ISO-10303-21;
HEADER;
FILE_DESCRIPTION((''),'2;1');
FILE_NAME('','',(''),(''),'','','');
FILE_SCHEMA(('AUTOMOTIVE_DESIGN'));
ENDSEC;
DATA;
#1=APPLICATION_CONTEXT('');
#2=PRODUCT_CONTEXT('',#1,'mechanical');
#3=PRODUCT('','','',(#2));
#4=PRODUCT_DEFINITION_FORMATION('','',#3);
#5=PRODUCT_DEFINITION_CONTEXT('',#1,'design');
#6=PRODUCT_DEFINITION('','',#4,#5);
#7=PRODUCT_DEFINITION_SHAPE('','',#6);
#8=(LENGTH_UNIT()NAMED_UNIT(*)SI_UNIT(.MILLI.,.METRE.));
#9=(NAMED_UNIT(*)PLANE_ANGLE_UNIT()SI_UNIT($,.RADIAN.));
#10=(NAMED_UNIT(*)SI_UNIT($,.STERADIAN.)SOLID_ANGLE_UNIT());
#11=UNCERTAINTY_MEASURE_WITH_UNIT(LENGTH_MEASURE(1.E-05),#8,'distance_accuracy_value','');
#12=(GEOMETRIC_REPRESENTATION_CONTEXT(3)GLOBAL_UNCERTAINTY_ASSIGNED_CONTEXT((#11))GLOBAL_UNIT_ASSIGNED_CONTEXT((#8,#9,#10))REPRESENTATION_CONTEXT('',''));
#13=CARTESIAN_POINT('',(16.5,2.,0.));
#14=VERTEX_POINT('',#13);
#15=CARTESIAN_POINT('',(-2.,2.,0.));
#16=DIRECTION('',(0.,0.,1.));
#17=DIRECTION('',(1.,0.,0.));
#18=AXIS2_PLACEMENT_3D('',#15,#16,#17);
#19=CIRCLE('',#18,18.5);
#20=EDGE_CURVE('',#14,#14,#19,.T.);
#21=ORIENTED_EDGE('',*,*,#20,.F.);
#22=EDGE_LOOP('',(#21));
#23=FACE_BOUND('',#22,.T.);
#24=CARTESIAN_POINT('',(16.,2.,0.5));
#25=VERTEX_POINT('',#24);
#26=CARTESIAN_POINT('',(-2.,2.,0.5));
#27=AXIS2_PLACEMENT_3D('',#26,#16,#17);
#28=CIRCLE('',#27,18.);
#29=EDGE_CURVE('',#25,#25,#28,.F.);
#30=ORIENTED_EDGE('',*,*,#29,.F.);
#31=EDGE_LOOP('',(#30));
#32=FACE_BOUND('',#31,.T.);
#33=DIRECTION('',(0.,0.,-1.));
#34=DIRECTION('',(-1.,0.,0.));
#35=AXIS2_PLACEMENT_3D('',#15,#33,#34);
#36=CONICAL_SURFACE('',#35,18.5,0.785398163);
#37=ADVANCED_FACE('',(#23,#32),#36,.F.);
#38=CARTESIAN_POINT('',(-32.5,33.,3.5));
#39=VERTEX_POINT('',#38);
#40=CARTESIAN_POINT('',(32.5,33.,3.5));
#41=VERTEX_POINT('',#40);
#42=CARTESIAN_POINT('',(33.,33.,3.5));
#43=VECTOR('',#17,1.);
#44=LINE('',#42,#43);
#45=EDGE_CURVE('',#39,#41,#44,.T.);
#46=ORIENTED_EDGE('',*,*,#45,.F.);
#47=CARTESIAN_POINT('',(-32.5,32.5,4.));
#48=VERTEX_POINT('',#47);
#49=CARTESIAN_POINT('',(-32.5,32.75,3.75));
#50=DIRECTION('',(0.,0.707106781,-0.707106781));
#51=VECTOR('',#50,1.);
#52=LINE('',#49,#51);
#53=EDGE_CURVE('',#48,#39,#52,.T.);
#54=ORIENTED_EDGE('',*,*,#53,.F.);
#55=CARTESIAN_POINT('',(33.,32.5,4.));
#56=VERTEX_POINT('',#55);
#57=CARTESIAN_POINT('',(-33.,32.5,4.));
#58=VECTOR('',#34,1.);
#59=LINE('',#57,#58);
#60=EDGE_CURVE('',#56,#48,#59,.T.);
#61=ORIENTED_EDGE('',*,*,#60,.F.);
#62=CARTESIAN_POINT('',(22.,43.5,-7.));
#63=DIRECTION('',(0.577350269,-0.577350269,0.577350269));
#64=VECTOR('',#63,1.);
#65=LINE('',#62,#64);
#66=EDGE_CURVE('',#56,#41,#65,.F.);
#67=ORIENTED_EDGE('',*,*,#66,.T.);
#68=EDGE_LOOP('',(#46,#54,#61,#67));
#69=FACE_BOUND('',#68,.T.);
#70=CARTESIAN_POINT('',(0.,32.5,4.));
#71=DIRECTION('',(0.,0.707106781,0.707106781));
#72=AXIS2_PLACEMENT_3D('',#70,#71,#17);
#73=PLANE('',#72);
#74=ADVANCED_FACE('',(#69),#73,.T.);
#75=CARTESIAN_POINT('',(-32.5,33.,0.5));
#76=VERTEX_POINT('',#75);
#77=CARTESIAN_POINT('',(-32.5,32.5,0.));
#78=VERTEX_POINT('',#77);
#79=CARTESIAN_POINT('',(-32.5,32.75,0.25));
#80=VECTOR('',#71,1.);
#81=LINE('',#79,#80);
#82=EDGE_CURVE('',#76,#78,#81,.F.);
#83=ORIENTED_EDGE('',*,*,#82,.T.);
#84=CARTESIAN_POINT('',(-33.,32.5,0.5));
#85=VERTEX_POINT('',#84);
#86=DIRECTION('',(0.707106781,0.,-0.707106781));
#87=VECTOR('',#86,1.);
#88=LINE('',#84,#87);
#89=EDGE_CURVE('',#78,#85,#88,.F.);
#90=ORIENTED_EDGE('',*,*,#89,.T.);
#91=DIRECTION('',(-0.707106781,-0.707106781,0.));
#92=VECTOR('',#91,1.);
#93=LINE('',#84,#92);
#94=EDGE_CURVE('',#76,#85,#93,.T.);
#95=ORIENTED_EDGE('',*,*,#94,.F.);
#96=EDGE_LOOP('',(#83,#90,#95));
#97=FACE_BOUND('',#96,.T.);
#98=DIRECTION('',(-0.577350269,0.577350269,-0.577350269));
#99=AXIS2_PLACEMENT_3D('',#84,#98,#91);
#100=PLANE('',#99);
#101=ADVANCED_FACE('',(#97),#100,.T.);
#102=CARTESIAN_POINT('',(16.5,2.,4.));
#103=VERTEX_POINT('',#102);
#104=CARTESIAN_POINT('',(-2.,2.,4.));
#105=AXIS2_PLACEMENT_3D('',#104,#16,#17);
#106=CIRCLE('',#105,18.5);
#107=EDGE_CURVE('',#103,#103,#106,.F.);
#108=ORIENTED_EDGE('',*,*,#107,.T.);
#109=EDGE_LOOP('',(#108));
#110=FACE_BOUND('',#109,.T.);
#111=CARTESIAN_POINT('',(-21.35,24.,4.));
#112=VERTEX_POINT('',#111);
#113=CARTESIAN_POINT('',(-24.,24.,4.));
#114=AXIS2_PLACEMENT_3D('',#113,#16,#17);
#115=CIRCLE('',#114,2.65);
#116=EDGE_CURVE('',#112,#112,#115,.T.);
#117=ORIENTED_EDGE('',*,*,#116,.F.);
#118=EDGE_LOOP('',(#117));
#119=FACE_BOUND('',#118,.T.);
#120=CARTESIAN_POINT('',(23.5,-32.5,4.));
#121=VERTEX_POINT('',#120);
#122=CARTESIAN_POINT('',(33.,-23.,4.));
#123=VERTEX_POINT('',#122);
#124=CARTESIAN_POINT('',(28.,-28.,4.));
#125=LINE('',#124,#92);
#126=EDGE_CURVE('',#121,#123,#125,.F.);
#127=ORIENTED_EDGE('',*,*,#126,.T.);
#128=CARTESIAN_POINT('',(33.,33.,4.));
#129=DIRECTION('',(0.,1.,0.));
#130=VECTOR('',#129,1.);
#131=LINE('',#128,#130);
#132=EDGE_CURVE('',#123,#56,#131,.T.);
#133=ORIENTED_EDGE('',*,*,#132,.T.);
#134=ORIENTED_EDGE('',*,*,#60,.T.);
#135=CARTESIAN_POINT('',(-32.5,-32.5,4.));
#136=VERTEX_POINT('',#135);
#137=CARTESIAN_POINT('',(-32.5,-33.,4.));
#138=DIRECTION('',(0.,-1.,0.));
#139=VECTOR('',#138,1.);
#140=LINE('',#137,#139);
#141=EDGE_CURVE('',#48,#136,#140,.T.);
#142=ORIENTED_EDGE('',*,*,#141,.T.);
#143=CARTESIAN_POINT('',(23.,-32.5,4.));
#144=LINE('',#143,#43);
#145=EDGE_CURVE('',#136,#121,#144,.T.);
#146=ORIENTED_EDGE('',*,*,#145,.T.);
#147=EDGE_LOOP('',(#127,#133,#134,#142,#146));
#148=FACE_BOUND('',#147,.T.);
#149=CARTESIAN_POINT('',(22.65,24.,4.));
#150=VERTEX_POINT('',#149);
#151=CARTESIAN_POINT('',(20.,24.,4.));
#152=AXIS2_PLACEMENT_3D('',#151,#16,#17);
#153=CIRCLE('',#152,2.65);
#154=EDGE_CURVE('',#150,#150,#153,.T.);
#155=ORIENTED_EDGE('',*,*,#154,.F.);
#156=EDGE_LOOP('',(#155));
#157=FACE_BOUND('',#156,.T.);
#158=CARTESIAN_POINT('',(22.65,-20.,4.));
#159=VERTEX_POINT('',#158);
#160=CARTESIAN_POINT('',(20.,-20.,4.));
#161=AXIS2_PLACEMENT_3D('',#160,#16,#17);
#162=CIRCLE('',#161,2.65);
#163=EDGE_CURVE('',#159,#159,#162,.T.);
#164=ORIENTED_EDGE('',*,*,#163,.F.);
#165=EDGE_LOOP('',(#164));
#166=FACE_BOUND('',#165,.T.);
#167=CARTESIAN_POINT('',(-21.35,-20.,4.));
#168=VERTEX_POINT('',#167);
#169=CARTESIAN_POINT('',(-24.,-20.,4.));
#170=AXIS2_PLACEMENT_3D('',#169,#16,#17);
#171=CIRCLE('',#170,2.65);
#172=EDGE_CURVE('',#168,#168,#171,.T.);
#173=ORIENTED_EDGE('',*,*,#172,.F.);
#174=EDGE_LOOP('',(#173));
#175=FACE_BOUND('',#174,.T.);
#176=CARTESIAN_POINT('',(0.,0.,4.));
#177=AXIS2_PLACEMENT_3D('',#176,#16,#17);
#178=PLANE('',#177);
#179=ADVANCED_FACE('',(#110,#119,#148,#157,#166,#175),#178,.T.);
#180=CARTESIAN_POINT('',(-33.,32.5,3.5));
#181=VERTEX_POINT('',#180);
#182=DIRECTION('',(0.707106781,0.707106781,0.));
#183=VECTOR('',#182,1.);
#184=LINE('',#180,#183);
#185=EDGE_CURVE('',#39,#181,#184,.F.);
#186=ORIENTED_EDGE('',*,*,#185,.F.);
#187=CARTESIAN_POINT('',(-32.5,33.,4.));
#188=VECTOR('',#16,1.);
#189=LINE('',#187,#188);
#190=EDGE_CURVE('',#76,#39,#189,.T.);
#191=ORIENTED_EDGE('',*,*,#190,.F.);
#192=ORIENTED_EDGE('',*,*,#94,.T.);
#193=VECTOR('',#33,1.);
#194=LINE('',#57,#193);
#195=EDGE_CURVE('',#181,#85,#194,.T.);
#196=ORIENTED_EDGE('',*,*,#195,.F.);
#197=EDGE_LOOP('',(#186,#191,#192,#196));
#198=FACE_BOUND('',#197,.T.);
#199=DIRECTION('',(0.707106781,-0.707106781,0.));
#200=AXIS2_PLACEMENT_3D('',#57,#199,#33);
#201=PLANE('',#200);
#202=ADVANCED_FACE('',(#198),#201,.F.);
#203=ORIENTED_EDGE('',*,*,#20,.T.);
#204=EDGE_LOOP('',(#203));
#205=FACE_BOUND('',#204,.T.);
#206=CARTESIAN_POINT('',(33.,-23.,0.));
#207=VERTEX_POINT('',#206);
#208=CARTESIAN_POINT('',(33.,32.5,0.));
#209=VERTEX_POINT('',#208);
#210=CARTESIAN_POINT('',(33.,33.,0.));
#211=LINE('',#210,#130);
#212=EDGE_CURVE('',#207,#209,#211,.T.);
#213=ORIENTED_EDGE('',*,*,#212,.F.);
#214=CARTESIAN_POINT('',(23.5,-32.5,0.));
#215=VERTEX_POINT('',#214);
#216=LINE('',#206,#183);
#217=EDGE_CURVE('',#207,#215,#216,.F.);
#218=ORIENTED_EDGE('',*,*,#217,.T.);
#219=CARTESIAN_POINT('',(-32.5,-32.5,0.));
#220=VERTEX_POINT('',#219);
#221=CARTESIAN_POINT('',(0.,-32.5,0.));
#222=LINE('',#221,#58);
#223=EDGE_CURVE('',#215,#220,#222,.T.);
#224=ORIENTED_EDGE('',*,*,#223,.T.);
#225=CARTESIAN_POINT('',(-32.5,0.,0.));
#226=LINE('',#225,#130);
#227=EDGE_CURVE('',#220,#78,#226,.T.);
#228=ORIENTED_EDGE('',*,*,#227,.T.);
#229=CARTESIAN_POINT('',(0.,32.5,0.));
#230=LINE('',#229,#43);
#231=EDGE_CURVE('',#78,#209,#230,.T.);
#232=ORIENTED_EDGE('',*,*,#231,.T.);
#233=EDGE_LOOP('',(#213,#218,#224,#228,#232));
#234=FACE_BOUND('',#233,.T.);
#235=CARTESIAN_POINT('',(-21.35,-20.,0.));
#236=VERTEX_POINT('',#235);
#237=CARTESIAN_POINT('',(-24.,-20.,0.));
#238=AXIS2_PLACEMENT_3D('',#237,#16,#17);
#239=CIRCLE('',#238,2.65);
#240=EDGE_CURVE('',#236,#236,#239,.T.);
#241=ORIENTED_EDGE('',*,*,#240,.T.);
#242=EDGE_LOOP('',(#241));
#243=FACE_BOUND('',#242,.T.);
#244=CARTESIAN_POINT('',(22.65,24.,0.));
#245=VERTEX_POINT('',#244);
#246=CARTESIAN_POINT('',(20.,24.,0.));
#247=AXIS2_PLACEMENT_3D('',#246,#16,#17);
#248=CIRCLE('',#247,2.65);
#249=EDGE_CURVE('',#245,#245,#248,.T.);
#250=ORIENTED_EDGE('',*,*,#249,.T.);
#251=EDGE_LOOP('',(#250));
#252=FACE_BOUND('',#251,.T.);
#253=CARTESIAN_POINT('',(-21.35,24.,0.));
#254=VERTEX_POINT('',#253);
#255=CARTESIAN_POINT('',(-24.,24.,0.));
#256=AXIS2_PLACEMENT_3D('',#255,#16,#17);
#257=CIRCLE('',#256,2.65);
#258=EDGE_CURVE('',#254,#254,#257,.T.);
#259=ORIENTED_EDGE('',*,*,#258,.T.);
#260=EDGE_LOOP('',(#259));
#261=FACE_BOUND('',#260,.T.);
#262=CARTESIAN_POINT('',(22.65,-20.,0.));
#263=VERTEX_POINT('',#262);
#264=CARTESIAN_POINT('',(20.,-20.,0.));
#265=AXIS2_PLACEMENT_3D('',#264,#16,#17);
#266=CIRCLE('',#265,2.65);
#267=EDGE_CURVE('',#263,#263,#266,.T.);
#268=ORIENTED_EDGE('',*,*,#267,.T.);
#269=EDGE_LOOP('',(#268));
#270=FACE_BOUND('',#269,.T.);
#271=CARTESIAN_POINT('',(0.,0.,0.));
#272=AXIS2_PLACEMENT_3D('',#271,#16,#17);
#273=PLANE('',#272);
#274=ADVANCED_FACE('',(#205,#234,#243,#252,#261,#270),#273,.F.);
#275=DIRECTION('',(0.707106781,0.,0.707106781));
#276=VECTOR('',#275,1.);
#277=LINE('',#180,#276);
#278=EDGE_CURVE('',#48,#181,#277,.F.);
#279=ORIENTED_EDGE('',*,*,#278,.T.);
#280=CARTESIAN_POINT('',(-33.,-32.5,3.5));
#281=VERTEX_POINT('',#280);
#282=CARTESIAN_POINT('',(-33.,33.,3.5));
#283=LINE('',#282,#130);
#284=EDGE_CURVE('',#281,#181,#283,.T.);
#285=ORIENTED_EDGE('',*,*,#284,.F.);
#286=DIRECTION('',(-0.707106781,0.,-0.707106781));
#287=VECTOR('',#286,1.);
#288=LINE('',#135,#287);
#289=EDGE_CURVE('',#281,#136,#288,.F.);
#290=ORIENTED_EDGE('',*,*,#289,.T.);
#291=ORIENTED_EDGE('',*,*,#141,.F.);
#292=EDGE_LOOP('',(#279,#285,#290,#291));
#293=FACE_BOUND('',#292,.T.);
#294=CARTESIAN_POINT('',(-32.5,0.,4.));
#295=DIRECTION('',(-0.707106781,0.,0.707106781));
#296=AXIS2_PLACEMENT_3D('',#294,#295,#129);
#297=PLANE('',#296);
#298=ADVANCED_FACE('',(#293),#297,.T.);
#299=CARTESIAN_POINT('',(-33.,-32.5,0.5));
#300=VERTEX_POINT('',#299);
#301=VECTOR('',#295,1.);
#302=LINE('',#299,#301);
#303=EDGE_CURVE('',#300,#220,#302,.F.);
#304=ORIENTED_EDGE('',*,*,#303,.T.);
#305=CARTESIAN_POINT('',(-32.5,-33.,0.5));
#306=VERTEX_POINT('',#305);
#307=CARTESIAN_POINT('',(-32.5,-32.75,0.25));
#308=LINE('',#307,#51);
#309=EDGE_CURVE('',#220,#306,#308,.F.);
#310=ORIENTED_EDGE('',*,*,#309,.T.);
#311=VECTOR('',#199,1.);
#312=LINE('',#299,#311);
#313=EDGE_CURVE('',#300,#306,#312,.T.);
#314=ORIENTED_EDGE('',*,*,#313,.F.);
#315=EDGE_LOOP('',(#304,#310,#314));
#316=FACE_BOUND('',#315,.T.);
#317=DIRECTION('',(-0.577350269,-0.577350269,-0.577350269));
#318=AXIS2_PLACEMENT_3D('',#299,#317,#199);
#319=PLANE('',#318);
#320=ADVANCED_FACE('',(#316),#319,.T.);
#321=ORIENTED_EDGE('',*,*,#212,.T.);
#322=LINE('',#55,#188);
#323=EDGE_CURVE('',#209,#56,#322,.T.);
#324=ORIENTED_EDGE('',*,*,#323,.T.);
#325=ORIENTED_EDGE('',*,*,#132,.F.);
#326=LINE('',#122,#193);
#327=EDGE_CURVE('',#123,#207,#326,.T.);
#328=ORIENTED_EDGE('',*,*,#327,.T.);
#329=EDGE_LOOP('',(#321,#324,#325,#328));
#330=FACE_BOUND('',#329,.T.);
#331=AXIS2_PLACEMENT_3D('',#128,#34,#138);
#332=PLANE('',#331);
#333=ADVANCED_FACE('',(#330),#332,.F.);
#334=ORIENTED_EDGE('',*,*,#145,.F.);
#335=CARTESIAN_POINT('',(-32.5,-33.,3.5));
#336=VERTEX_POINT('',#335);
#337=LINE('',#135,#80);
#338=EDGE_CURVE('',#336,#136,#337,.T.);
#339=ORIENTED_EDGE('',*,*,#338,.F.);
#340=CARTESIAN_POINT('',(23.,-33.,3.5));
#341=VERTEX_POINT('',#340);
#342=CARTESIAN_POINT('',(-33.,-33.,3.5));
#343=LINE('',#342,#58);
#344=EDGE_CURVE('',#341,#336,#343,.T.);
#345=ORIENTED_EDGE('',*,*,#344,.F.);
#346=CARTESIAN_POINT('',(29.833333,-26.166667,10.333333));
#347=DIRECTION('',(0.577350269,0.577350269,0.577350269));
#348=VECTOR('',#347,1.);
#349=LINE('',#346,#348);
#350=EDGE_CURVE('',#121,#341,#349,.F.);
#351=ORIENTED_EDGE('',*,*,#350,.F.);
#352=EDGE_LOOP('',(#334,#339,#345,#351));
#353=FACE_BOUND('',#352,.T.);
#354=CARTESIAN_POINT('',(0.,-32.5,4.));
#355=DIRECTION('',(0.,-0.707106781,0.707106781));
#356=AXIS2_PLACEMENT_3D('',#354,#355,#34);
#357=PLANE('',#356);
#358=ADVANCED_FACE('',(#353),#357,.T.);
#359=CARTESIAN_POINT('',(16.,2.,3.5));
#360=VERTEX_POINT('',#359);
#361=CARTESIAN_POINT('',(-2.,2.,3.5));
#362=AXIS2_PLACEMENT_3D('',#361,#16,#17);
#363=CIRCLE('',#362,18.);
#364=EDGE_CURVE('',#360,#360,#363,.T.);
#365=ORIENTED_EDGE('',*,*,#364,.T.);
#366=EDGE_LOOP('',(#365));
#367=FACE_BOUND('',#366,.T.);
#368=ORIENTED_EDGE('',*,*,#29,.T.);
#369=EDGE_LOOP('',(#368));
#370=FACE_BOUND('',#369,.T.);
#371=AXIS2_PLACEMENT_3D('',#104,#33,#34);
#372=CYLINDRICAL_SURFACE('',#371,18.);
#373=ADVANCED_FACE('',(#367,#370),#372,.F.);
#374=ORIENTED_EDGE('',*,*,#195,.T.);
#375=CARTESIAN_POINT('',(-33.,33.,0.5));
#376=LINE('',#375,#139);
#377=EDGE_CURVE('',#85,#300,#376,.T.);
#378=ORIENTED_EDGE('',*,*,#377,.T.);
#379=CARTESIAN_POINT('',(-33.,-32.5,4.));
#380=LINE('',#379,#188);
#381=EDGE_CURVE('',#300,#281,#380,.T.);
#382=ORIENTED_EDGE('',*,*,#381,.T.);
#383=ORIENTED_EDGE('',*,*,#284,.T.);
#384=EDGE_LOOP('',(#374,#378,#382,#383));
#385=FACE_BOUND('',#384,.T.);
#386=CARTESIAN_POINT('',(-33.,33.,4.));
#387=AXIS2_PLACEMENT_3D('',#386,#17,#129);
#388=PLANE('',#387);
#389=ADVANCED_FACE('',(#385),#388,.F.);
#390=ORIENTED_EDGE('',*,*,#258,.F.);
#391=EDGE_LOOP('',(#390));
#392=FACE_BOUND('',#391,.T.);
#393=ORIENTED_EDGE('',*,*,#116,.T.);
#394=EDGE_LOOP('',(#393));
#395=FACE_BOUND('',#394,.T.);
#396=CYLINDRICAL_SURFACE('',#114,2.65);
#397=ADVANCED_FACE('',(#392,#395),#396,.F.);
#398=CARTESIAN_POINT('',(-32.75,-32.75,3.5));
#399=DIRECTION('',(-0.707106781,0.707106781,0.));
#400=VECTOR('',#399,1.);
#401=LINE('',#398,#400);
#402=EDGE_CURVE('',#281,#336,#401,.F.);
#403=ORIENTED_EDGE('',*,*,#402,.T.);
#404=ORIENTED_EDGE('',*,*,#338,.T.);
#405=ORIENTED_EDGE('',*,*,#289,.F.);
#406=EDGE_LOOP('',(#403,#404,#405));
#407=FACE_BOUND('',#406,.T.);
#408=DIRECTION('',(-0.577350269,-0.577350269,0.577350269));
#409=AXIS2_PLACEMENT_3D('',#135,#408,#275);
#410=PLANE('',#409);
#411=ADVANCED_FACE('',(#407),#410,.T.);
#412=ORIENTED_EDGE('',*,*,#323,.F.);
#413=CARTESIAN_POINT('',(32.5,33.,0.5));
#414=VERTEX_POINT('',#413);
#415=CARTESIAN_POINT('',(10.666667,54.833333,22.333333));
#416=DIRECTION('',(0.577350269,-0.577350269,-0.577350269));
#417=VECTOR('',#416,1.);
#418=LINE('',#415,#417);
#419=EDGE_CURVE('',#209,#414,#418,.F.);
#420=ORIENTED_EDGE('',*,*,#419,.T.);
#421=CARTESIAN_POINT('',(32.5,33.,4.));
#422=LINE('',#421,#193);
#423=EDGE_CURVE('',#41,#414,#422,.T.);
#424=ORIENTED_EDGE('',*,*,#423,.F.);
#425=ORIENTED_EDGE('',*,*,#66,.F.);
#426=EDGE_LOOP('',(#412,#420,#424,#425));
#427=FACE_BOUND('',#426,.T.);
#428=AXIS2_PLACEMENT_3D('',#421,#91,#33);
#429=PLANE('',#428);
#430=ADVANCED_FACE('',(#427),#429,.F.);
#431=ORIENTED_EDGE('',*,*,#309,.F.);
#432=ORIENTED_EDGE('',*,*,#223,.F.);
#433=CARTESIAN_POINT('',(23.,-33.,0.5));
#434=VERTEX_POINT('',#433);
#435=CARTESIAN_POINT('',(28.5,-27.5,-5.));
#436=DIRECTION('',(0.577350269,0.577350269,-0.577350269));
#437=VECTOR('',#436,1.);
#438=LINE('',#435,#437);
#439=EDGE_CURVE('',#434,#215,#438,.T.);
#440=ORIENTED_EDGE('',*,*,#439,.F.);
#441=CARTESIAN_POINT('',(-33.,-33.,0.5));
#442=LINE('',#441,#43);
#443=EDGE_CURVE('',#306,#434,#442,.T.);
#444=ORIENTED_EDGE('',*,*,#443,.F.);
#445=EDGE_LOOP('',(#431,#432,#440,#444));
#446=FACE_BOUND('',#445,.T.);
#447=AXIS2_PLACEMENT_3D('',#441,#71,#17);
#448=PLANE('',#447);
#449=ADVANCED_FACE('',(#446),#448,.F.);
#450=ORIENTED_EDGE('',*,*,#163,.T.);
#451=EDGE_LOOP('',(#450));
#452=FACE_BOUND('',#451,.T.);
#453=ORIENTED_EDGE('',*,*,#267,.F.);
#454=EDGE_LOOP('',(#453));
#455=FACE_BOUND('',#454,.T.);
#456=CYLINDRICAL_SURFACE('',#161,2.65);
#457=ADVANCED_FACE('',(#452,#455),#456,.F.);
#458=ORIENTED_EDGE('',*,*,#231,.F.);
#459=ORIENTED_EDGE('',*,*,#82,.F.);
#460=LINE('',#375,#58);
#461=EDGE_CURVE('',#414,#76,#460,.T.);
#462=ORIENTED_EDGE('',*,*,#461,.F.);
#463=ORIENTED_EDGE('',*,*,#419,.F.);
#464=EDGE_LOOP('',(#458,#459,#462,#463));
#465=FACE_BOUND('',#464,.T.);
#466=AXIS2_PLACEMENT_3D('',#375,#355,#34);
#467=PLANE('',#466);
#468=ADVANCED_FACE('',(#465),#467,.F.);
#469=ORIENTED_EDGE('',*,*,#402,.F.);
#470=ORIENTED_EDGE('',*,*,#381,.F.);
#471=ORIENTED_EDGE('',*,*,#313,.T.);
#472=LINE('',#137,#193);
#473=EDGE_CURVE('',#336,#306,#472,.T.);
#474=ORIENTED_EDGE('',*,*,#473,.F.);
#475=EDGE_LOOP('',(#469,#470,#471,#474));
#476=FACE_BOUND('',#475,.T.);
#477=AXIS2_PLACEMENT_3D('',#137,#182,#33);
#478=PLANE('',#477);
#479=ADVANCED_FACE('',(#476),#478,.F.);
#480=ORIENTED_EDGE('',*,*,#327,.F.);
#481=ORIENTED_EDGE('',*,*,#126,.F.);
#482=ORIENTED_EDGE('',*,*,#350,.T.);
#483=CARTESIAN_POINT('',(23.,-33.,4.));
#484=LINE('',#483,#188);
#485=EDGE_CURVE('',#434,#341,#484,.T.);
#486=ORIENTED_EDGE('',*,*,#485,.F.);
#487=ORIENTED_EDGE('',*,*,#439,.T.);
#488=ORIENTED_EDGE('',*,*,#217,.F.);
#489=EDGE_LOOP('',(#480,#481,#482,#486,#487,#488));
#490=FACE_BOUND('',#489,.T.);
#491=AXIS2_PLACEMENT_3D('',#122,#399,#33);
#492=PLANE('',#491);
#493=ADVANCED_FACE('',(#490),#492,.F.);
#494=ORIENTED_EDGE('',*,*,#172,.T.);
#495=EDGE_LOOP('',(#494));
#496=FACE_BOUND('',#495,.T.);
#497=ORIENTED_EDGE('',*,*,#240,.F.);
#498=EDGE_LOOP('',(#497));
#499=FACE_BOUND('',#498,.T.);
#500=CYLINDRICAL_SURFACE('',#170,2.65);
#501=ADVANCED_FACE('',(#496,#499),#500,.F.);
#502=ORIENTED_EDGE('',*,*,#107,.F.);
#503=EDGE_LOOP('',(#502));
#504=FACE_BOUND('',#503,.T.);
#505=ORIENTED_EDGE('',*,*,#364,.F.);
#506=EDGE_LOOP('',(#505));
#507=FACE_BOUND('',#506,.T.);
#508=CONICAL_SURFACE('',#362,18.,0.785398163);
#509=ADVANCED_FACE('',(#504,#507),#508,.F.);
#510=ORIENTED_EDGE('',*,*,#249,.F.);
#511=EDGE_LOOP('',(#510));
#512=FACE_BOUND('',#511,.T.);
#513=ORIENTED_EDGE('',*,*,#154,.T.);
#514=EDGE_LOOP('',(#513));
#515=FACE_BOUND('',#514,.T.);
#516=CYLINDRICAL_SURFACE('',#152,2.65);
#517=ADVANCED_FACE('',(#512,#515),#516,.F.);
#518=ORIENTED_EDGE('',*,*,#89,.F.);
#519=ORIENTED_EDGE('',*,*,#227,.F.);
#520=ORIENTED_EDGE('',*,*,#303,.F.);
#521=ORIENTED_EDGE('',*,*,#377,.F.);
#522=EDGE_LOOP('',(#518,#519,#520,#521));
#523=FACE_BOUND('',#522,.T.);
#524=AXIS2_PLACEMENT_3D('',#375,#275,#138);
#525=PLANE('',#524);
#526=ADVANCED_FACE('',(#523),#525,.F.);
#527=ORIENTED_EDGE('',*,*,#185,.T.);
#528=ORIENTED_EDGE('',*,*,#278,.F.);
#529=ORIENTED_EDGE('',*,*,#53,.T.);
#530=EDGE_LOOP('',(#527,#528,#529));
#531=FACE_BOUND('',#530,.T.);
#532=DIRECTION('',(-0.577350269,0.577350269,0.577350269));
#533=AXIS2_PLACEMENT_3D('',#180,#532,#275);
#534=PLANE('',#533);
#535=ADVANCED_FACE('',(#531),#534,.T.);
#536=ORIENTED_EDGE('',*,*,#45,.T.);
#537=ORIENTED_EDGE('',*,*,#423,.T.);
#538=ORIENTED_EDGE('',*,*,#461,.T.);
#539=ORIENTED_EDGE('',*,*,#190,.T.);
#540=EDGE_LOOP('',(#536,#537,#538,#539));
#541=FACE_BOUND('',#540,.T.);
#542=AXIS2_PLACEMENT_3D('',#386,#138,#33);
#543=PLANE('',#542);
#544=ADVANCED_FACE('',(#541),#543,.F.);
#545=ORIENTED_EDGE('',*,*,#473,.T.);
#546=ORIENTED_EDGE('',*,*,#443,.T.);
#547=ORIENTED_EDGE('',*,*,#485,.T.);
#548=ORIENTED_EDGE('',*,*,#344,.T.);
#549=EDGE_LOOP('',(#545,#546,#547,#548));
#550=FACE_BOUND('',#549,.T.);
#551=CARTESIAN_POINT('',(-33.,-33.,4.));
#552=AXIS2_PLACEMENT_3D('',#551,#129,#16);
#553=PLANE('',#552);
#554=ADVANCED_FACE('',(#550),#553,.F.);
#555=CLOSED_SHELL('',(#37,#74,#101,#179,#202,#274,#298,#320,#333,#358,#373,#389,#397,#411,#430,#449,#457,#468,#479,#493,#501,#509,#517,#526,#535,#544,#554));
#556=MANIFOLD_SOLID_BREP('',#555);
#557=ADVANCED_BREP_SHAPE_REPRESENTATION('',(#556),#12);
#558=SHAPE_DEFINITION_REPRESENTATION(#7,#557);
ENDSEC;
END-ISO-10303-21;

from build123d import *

# Parameters (mm, degrees)
ESQUISSE1_W        = 66
ESQUISSE1_H        = 66
ESQUISSE1_R        = 18
BOSS_EXTRU_1_DEPTH = 4
CHANFREIN1_SIZE    = 10
CHANFREIN2_SIZE    = 0.5
D_GAGEMENT_M51_D   = 5.3


with BuildPart() as part:
    # Esquisse1 → Boss.-Extru.1 (new body)
    with BuildSketch(Plane.XY):
        Rectangle(ESQUISSE1_W, ESQUISSE1_H)
        with Locations((-2, 2)):
            Circle(ESQUISSE1_R, mode=Mode.SUBTRACT)
    extrude(amount=BOSS_EXTRU_1_DEPTH)

    # Chanfrein1
    chanfrein1_edges = [part.edges().sort_by_distance(p)[0] for p in [
        (33, -33, 2),
    ]]
    chamfer(chanfrein1_edges, length=CHANFREIN1_SIZE)

    # Chanfrein2
    chanfrein2_edges = [part.edges().sort_by_distance(p)[0] for p in [
        (-33, 0, 4),
        (-20, 2, 0),
        (-20, 2, 4),
        (-5, -33, 4),
        (-5, -33, 0),
        (-33, 0, 0),
        (0, 33, 0),
        (0, 33, 4),
        (-33, -33, 2),
        (-33, 33, 2),
        (33, 33, 2),
    ]]
    chamfer(chanfrein2_edges, length=CHANFREIN2_SIZE)

    # Dégagement M51 (through all)
    with Locations(Plane.XY.offset(4)):
        with Locations((-24, 24), (20, 24), (20, -20), (-24, -20), (-162.098619818, 40.106243937), (-166.138996893, 40.106243937)):
            Hole(D_GAGEMENT_M51_D / 2)


solid = part.part
